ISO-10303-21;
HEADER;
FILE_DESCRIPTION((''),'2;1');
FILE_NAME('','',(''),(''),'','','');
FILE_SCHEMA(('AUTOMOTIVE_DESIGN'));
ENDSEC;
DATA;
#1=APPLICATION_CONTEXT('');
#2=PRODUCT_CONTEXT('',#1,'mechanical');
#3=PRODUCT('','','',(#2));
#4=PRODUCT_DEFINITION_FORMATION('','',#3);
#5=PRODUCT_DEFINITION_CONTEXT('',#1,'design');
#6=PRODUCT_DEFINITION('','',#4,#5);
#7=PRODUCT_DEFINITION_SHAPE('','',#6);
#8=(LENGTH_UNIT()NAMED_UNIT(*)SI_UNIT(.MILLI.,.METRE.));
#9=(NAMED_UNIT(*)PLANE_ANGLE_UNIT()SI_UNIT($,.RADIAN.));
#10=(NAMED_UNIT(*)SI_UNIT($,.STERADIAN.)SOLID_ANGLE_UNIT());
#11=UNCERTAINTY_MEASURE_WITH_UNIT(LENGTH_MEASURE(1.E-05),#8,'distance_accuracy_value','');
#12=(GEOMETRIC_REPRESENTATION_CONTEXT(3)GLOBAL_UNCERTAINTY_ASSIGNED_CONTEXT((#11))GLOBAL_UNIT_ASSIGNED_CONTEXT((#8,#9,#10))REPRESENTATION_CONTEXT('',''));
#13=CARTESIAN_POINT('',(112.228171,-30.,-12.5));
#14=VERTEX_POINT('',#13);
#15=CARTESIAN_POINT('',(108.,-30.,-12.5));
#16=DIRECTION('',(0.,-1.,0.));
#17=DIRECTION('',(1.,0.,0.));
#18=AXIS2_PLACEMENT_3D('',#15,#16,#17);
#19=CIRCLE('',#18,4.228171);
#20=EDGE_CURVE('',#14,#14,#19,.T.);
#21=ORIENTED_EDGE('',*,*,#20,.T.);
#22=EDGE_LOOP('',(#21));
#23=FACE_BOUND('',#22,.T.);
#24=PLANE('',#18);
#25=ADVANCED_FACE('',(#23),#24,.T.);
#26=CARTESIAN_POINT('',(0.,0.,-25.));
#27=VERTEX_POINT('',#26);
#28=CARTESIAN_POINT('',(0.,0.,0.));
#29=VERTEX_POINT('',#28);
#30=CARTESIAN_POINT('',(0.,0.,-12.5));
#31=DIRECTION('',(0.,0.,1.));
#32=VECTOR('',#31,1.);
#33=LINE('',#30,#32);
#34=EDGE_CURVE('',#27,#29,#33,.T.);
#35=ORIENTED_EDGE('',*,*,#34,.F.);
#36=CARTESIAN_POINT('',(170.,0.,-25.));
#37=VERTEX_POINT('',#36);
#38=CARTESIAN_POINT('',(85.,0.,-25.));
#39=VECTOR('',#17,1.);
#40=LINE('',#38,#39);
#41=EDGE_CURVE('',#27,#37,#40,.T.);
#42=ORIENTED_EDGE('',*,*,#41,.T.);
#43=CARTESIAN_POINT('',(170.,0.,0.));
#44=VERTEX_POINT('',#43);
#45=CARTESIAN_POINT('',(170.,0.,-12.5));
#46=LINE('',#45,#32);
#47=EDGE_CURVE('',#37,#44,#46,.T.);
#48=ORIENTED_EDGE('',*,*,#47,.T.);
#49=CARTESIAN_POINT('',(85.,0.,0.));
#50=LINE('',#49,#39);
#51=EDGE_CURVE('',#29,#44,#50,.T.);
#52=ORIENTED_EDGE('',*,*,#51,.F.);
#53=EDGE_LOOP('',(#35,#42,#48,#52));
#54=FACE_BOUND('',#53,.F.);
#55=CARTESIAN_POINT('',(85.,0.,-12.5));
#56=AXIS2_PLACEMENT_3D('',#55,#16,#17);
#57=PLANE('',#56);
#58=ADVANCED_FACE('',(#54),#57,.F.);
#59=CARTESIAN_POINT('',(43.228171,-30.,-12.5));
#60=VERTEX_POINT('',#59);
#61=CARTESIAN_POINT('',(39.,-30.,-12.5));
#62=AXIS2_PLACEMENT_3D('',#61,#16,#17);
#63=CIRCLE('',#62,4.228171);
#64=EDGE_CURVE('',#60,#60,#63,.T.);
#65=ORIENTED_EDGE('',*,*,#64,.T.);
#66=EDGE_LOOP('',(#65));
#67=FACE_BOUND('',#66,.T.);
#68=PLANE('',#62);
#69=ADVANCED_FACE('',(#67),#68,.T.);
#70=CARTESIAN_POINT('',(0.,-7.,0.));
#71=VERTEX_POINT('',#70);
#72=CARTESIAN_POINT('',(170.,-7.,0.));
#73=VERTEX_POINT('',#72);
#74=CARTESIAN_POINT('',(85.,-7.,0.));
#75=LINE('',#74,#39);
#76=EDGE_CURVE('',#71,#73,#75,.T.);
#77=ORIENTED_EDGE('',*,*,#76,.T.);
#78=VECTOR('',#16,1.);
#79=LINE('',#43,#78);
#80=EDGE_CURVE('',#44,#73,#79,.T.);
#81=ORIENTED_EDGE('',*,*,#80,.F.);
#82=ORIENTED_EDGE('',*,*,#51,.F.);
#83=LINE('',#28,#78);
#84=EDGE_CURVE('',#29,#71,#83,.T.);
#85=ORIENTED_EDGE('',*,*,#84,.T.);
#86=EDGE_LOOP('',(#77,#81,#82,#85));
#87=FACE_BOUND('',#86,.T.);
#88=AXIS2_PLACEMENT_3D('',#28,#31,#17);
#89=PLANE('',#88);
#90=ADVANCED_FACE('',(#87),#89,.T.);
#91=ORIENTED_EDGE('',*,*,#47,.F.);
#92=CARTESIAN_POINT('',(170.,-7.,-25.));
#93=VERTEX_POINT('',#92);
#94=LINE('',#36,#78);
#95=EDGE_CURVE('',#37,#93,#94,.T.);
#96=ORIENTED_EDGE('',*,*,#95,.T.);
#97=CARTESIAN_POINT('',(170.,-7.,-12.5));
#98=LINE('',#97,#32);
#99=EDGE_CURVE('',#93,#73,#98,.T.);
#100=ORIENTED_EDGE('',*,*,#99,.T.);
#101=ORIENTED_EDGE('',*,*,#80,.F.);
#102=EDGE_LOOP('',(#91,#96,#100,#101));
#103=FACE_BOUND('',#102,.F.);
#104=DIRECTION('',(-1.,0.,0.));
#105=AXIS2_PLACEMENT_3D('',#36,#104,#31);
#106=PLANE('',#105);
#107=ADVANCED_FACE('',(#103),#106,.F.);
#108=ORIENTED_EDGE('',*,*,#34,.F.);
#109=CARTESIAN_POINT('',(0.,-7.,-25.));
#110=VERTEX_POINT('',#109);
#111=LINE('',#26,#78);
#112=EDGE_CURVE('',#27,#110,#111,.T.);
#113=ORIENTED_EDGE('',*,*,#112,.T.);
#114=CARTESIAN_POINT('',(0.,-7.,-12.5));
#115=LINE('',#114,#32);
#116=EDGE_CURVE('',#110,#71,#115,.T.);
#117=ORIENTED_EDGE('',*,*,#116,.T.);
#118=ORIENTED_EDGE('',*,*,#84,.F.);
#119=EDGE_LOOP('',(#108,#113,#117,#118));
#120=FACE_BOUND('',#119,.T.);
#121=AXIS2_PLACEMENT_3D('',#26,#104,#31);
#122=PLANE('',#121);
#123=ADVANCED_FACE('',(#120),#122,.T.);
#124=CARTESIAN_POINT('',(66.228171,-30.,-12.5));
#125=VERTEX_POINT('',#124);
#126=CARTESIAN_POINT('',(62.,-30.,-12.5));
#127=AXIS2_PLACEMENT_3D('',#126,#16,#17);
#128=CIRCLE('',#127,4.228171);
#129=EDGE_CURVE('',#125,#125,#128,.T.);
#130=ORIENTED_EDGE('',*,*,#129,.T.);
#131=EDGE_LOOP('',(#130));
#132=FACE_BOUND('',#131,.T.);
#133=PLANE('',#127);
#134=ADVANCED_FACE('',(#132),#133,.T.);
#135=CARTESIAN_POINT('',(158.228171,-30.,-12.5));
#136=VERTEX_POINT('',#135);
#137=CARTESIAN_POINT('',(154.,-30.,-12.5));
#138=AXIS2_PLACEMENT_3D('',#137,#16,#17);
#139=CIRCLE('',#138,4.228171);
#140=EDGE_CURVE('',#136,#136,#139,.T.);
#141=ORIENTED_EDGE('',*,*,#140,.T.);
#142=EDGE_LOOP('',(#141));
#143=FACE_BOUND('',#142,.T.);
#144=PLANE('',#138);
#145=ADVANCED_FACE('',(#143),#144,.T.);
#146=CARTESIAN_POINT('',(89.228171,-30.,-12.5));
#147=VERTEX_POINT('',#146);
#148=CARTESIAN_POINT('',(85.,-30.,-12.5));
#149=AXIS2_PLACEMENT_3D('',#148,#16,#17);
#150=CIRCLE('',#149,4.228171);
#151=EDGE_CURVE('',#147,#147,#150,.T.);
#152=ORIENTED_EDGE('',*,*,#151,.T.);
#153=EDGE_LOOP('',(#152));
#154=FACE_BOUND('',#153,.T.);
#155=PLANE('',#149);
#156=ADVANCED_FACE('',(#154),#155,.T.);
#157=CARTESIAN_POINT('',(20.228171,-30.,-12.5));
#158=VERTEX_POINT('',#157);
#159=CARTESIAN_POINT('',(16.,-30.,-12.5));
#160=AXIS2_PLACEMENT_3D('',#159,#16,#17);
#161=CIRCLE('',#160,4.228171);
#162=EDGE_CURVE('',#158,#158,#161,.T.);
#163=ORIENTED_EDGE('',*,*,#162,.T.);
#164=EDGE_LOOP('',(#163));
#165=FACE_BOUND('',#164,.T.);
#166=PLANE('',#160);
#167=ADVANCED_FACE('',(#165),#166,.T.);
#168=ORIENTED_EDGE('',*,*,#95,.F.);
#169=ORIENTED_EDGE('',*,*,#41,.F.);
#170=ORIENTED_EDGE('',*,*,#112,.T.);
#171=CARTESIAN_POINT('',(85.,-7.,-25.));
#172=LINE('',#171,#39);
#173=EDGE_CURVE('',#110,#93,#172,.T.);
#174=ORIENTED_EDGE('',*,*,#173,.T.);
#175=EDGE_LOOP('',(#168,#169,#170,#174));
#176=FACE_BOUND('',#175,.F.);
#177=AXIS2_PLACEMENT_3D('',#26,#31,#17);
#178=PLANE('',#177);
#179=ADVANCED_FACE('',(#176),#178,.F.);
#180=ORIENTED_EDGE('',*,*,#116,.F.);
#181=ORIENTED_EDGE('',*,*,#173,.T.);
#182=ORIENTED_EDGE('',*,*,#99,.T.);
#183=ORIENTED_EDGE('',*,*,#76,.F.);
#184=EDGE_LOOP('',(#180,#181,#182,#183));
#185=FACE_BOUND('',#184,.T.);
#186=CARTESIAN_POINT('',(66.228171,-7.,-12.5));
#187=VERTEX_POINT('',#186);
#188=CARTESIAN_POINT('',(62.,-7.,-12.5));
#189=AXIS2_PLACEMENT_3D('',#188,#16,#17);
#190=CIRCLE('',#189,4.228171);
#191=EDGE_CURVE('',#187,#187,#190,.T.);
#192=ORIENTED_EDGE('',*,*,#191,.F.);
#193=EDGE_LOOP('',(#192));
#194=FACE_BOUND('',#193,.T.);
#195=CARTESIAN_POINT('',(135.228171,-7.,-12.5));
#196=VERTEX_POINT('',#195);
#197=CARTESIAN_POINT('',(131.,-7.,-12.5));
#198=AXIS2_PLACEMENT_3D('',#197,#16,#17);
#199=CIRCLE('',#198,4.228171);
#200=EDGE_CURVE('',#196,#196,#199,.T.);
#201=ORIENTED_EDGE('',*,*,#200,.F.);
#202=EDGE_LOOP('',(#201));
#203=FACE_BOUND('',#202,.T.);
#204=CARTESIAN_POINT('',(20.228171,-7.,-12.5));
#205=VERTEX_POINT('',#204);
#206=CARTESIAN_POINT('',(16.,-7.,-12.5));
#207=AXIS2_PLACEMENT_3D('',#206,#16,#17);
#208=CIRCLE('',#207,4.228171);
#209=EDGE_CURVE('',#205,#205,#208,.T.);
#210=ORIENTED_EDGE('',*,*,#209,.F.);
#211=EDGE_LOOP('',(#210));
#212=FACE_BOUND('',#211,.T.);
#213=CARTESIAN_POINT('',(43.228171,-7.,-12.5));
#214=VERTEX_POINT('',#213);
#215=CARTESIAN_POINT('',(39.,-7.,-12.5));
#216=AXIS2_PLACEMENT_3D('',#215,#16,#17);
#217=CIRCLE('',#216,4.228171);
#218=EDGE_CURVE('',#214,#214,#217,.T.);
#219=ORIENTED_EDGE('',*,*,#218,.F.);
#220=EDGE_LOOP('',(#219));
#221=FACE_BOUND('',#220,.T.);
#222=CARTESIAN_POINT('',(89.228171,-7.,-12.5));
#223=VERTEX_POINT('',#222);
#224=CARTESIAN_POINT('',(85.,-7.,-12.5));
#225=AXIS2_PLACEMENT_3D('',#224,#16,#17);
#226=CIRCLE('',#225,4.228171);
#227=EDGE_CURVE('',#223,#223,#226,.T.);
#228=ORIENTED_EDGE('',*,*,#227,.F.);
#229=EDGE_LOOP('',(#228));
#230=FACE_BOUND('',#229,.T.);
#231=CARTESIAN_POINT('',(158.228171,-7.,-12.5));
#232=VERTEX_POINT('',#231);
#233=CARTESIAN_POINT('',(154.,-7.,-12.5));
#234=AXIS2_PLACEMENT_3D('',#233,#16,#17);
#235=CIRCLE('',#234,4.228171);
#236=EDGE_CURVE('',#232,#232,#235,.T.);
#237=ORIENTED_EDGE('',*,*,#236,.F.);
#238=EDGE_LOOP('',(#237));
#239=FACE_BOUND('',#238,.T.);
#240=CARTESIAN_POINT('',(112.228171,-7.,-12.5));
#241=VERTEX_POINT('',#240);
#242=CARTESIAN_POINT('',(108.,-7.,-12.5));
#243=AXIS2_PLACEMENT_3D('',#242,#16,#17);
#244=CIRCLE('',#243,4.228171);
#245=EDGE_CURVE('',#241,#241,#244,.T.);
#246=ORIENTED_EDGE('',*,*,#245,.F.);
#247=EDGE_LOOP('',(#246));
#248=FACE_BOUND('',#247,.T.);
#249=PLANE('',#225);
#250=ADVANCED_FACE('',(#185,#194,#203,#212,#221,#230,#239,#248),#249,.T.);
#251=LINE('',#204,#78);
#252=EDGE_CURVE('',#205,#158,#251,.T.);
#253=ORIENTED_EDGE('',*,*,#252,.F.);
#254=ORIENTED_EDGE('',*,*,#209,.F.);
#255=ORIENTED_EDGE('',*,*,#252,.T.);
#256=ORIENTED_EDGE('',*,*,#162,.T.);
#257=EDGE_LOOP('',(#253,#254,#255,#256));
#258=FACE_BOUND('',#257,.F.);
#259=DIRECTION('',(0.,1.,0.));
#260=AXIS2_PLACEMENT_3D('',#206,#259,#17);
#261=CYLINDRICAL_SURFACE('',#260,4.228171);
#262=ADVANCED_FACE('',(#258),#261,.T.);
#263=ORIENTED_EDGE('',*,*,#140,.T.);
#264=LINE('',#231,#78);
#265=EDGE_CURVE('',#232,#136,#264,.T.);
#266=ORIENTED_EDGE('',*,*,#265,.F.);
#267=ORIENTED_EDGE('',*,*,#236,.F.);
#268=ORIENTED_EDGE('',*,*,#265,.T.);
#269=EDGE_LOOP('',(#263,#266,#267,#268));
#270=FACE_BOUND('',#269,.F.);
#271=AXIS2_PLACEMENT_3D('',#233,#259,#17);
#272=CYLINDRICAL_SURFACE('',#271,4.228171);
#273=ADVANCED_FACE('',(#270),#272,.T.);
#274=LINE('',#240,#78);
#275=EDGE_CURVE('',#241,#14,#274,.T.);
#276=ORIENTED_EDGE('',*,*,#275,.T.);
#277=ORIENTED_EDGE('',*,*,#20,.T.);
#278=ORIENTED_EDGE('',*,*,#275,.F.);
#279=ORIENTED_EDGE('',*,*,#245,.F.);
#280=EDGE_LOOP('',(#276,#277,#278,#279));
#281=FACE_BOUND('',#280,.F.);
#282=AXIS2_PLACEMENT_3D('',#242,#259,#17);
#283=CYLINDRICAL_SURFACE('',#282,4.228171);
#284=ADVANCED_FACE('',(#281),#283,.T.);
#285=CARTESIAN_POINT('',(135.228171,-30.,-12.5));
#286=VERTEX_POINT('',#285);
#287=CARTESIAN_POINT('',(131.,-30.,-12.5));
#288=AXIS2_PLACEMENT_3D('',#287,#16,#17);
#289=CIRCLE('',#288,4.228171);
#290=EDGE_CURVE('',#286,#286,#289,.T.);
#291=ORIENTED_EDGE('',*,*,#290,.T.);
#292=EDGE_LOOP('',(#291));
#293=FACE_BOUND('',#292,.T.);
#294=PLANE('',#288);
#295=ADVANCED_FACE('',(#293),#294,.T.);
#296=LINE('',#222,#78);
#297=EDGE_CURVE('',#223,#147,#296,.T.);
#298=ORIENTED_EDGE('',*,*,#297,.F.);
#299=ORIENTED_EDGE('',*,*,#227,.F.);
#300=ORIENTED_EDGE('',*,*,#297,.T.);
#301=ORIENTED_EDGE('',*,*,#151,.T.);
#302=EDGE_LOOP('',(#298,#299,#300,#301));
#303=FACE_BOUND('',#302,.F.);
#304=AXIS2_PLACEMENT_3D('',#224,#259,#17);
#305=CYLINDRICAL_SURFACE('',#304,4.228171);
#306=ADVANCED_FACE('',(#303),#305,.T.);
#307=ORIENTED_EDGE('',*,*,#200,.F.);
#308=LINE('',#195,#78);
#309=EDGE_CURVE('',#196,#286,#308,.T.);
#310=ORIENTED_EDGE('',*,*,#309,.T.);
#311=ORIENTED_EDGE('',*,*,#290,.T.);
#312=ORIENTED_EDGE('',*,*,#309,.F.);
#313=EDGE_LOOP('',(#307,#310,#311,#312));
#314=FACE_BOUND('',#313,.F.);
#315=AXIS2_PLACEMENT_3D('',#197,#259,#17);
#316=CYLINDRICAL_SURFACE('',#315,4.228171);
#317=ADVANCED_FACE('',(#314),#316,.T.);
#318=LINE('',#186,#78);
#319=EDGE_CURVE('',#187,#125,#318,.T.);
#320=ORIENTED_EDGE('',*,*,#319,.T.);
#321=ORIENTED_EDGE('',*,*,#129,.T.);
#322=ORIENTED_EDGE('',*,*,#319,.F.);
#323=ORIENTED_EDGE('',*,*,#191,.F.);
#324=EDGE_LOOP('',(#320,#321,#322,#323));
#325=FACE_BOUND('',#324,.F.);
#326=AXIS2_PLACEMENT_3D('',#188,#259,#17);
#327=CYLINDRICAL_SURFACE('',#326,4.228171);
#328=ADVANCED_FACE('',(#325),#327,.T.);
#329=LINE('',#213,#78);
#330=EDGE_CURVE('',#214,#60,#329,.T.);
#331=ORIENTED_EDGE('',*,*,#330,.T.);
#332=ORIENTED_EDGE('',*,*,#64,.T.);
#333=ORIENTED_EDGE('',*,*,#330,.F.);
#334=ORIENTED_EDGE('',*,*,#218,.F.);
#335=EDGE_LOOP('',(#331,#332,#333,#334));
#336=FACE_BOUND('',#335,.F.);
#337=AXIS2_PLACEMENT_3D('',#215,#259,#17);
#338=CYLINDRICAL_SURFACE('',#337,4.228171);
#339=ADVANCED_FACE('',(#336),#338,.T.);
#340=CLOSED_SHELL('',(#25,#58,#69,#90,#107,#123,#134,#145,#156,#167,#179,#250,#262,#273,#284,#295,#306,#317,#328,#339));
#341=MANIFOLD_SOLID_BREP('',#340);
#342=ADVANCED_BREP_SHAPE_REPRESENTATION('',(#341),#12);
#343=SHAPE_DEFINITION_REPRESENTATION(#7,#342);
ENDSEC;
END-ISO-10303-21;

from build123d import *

# Parameters (mm, degrees)
F0_W     = 170
F0_H     = 25
F1_DEPTH = 7
F2_R     = 4.228171
F3_DEPTH = 23


with BuildPart() as f1:
    # F0 (on Front) → F1 (new body)
    with BuildSketch(Plane.XZ):
        with Locations((85, -12.5)):
            Rectangle(F0_W, F0_H)
    extrude(amount=F1_DEPTH)

    # F2 (on face) → F3 (join)
    with BuildSketch(Plane.XZ.offset(7)):
        with Locations((85, -12.5)):
            Circle(F2_R)
        with Locations((108, -12.5)):
            Circle(F2_R)
        with Locations((131, -12.5)):
            Circle(F2_R)
        with Locations((154, -12.5)):
            Circle(F2_R)
        with Locations((62, -12.5)):
            Circle(F2_R)
        with Locations((39, -12.5)):
            Circle(F2_R)
        with Locations((16, -12.5)):
            Circle(F2_R)
    extrude(amount=F3_DEPTH)


solid = f1.part
